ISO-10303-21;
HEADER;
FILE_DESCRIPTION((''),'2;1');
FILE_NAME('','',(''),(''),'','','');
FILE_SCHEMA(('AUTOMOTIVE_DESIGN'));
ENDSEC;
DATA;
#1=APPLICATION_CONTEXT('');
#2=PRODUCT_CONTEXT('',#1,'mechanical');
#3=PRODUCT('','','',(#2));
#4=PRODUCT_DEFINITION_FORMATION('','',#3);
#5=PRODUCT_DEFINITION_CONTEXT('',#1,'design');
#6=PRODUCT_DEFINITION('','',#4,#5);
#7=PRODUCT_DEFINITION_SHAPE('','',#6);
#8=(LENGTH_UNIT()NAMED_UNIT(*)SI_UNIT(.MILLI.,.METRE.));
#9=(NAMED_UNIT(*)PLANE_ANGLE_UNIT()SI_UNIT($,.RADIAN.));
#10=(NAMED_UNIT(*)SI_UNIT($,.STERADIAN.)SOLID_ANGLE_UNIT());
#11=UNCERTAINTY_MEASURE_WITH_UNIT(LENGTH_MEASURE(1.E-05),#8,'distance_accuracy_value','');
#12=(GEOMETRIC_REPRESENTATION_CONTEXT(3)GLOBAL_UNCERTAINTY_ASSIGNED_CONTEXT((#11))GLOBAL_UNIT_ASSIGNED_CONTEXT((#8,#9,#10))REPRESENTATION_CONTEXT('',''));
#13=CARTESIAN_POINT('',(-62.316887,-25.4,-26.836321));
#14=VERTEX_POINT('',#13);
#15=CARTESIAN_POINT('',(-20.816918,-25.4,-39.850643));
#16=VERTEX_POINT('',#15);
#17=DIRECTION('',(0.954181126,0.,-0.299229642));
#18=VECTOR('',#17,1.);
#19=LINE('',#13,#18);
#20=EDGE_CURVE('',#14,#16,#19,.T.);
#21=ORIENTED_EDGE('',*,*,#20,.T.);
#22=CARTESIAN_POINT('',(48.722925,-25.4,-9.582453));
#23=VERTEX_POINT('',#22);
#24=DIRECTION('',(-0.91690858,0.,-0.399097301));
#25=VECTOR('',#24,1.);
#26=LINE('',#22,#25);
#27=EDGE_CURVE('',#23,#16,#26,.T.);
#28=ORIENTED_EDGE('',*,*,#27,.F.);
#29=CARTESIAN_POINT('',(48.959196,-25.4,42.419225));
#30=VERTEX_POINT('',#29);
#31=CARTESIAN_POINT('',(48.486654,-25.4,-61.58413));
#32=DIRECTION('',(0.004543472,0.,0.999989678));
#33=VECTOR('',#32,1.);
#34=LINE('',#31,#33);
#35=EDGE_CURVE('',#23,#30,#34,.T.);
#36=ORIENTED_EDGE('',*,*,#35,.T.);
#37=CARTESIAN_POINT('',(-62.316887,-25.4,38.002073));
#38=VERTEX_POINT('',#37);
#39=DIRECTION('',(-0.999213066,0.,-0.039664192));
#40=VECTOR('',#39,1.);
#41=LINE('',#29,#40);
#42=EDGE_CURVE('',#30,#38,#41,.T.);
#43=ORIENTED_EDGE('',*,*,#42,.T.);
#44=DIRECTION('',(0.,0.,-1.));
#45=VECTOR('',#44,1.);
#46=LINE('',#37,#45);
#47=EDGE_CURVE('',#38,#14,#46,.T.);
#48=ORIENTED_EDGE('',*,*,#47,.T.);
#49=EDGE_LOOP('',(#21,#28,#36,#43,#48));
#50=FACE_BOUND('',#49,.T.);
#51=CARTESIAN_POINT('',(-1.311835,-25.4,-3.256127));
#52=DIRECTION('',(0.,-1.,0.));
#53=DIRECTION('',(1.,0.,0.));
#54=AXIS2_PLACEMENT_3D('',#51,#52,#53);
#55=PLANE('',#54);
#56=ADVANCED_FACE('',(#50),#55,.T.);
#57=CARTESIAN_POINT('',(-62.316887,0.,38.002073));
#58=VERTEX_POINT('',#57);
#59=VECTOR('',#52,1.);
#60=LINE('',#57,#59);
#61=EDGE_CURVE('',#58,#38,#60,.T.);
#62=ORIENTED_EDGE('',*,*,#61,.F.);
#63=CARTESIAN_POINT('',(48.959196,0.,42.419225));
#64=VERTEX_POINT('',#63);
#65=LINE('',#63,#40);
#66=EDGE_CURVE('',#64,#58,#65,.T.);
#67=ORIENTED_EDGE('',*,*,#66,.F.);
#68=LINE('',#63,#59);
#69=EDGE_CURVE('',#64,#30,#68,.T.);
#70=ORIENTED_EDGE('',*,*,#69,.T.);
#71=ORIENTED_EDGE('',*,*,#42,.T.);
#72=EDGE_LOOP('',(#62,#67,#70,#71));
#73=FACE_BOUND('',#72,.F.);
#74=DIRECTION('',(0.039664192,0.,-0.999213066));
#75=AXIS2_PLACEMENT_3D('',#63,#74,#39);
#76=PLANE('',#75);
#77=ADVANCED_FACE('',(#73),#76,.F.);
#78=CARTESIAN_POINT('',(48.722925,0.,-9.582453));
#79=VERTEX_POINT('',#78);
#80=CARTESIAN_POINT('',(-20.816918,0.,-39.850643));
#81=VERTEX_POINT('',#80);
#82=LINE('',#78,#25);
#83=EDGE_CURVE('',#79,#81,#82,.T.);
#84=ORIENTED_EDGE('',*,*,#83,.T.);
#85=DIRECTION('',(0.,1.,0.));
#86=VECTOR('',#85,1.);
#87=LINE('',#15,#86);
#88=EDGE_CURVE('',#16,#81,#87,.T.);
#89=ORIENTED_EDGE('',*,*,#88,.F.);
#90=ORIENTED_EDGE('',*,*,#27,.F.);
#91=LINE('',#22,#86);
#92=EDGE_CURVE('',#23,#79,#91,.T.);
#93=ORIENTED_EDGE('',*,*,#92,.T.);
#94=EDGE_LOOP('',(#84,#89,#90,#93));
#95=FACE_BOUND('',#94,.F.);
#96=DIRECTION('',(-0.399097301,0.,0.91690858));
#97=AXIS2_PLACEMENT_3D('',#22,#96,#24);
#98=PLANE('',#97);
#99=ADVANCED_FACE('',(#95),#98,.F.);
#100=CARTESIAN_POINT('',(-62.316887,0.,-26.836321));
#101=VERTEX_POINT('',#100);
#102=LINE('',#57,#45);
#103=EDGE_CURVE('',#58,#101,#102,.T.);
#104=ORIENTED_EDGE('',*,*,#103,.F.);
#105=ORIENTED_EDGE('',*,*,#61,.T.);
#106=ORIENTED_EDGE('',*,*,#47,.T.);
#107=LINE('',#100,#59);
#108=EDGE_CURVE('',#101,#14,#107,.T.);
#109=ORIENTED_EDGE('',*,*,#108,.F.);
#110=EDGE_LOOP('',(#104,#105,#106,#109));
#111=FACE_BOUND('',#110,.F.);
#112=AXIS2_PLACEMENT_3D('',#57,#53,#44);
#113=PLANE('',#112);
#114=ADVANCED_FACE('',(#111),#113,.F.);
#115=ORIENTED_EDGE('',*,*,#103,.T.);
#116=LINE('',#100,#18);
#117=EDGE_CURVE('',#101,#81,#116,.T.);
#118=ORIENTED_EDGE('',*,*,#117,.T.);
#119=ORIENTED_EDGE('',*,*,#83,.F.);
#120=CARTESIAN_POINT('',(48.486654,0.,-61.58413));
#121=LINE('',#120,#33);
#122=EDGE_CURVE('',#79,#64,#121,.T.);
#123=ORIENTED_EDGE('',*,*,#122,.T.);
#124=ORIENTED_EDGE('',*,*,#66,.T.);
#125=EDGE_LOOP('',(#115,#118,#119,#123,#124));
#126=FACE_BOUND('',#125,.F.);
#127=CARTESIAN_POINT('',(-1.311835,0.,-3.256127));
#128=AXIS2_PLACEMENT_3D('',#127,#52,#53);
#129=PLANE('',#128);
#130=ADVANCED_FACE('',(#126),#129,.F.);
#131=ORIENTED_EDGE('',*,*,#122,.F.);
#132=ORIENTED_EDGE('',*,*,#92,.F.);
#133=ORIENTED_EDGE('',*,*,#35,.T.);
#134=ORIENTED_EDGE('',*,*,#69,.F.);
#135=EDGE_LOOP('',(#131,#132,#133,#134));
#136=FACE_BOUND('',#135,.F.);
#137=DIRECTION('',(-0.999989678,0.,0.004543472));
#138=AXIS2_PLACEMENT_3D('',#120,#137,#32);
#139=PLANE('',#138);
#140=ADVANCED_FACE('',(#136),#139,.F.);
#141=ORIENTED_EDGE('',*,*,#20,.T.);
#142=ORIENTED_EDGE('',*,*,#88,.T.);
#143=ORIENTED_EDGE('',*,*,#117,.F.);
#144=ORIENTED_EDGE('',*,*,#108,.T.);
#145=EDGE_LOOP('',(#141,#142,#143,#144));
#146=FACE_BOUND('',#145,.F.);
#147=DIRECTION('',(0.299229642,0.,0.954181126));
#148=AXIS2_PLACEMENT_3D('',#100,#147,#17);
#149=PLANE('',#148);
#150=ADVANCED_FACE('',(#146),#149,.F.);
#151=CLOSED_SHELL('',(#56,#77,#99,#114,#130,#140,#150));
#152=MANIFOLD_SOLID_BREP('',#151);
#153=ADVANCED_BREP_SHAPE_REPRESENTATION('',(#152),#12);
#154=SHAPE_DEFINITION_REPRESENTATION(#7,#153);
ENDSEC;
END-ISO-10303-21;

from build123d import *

# Parameters (mm, degrees)
F1_DEPTH = 25.4
F3_DEPTH = 25.4


with BuildPart() as f1:
    # F0 (on Front) → F1 (new body)
    with BuildSketch(Plane.XZ):
        Polygon((48.9591956139, 42.4192249775), (-62.3168870807, 38.0020730792), (-62.3168870807, -26.8363207579), (48.4866544241, -61.5841303073), align=None)
    extrude(amount=F1_DEPTH)

    # F2 (on face) → F3 (cut)
    with BuildSketch(Plane.XZ.offset(25.4)):
        Polygon((48.4866544241, -61.5841303073), (48.722925019, -9.5824526649), (-20.8169179866, -39.8506432498), align=None)
    extrude(amount=-F3_DEPTH, mode=Mode.SUBTRACT)


solid = f1.part
